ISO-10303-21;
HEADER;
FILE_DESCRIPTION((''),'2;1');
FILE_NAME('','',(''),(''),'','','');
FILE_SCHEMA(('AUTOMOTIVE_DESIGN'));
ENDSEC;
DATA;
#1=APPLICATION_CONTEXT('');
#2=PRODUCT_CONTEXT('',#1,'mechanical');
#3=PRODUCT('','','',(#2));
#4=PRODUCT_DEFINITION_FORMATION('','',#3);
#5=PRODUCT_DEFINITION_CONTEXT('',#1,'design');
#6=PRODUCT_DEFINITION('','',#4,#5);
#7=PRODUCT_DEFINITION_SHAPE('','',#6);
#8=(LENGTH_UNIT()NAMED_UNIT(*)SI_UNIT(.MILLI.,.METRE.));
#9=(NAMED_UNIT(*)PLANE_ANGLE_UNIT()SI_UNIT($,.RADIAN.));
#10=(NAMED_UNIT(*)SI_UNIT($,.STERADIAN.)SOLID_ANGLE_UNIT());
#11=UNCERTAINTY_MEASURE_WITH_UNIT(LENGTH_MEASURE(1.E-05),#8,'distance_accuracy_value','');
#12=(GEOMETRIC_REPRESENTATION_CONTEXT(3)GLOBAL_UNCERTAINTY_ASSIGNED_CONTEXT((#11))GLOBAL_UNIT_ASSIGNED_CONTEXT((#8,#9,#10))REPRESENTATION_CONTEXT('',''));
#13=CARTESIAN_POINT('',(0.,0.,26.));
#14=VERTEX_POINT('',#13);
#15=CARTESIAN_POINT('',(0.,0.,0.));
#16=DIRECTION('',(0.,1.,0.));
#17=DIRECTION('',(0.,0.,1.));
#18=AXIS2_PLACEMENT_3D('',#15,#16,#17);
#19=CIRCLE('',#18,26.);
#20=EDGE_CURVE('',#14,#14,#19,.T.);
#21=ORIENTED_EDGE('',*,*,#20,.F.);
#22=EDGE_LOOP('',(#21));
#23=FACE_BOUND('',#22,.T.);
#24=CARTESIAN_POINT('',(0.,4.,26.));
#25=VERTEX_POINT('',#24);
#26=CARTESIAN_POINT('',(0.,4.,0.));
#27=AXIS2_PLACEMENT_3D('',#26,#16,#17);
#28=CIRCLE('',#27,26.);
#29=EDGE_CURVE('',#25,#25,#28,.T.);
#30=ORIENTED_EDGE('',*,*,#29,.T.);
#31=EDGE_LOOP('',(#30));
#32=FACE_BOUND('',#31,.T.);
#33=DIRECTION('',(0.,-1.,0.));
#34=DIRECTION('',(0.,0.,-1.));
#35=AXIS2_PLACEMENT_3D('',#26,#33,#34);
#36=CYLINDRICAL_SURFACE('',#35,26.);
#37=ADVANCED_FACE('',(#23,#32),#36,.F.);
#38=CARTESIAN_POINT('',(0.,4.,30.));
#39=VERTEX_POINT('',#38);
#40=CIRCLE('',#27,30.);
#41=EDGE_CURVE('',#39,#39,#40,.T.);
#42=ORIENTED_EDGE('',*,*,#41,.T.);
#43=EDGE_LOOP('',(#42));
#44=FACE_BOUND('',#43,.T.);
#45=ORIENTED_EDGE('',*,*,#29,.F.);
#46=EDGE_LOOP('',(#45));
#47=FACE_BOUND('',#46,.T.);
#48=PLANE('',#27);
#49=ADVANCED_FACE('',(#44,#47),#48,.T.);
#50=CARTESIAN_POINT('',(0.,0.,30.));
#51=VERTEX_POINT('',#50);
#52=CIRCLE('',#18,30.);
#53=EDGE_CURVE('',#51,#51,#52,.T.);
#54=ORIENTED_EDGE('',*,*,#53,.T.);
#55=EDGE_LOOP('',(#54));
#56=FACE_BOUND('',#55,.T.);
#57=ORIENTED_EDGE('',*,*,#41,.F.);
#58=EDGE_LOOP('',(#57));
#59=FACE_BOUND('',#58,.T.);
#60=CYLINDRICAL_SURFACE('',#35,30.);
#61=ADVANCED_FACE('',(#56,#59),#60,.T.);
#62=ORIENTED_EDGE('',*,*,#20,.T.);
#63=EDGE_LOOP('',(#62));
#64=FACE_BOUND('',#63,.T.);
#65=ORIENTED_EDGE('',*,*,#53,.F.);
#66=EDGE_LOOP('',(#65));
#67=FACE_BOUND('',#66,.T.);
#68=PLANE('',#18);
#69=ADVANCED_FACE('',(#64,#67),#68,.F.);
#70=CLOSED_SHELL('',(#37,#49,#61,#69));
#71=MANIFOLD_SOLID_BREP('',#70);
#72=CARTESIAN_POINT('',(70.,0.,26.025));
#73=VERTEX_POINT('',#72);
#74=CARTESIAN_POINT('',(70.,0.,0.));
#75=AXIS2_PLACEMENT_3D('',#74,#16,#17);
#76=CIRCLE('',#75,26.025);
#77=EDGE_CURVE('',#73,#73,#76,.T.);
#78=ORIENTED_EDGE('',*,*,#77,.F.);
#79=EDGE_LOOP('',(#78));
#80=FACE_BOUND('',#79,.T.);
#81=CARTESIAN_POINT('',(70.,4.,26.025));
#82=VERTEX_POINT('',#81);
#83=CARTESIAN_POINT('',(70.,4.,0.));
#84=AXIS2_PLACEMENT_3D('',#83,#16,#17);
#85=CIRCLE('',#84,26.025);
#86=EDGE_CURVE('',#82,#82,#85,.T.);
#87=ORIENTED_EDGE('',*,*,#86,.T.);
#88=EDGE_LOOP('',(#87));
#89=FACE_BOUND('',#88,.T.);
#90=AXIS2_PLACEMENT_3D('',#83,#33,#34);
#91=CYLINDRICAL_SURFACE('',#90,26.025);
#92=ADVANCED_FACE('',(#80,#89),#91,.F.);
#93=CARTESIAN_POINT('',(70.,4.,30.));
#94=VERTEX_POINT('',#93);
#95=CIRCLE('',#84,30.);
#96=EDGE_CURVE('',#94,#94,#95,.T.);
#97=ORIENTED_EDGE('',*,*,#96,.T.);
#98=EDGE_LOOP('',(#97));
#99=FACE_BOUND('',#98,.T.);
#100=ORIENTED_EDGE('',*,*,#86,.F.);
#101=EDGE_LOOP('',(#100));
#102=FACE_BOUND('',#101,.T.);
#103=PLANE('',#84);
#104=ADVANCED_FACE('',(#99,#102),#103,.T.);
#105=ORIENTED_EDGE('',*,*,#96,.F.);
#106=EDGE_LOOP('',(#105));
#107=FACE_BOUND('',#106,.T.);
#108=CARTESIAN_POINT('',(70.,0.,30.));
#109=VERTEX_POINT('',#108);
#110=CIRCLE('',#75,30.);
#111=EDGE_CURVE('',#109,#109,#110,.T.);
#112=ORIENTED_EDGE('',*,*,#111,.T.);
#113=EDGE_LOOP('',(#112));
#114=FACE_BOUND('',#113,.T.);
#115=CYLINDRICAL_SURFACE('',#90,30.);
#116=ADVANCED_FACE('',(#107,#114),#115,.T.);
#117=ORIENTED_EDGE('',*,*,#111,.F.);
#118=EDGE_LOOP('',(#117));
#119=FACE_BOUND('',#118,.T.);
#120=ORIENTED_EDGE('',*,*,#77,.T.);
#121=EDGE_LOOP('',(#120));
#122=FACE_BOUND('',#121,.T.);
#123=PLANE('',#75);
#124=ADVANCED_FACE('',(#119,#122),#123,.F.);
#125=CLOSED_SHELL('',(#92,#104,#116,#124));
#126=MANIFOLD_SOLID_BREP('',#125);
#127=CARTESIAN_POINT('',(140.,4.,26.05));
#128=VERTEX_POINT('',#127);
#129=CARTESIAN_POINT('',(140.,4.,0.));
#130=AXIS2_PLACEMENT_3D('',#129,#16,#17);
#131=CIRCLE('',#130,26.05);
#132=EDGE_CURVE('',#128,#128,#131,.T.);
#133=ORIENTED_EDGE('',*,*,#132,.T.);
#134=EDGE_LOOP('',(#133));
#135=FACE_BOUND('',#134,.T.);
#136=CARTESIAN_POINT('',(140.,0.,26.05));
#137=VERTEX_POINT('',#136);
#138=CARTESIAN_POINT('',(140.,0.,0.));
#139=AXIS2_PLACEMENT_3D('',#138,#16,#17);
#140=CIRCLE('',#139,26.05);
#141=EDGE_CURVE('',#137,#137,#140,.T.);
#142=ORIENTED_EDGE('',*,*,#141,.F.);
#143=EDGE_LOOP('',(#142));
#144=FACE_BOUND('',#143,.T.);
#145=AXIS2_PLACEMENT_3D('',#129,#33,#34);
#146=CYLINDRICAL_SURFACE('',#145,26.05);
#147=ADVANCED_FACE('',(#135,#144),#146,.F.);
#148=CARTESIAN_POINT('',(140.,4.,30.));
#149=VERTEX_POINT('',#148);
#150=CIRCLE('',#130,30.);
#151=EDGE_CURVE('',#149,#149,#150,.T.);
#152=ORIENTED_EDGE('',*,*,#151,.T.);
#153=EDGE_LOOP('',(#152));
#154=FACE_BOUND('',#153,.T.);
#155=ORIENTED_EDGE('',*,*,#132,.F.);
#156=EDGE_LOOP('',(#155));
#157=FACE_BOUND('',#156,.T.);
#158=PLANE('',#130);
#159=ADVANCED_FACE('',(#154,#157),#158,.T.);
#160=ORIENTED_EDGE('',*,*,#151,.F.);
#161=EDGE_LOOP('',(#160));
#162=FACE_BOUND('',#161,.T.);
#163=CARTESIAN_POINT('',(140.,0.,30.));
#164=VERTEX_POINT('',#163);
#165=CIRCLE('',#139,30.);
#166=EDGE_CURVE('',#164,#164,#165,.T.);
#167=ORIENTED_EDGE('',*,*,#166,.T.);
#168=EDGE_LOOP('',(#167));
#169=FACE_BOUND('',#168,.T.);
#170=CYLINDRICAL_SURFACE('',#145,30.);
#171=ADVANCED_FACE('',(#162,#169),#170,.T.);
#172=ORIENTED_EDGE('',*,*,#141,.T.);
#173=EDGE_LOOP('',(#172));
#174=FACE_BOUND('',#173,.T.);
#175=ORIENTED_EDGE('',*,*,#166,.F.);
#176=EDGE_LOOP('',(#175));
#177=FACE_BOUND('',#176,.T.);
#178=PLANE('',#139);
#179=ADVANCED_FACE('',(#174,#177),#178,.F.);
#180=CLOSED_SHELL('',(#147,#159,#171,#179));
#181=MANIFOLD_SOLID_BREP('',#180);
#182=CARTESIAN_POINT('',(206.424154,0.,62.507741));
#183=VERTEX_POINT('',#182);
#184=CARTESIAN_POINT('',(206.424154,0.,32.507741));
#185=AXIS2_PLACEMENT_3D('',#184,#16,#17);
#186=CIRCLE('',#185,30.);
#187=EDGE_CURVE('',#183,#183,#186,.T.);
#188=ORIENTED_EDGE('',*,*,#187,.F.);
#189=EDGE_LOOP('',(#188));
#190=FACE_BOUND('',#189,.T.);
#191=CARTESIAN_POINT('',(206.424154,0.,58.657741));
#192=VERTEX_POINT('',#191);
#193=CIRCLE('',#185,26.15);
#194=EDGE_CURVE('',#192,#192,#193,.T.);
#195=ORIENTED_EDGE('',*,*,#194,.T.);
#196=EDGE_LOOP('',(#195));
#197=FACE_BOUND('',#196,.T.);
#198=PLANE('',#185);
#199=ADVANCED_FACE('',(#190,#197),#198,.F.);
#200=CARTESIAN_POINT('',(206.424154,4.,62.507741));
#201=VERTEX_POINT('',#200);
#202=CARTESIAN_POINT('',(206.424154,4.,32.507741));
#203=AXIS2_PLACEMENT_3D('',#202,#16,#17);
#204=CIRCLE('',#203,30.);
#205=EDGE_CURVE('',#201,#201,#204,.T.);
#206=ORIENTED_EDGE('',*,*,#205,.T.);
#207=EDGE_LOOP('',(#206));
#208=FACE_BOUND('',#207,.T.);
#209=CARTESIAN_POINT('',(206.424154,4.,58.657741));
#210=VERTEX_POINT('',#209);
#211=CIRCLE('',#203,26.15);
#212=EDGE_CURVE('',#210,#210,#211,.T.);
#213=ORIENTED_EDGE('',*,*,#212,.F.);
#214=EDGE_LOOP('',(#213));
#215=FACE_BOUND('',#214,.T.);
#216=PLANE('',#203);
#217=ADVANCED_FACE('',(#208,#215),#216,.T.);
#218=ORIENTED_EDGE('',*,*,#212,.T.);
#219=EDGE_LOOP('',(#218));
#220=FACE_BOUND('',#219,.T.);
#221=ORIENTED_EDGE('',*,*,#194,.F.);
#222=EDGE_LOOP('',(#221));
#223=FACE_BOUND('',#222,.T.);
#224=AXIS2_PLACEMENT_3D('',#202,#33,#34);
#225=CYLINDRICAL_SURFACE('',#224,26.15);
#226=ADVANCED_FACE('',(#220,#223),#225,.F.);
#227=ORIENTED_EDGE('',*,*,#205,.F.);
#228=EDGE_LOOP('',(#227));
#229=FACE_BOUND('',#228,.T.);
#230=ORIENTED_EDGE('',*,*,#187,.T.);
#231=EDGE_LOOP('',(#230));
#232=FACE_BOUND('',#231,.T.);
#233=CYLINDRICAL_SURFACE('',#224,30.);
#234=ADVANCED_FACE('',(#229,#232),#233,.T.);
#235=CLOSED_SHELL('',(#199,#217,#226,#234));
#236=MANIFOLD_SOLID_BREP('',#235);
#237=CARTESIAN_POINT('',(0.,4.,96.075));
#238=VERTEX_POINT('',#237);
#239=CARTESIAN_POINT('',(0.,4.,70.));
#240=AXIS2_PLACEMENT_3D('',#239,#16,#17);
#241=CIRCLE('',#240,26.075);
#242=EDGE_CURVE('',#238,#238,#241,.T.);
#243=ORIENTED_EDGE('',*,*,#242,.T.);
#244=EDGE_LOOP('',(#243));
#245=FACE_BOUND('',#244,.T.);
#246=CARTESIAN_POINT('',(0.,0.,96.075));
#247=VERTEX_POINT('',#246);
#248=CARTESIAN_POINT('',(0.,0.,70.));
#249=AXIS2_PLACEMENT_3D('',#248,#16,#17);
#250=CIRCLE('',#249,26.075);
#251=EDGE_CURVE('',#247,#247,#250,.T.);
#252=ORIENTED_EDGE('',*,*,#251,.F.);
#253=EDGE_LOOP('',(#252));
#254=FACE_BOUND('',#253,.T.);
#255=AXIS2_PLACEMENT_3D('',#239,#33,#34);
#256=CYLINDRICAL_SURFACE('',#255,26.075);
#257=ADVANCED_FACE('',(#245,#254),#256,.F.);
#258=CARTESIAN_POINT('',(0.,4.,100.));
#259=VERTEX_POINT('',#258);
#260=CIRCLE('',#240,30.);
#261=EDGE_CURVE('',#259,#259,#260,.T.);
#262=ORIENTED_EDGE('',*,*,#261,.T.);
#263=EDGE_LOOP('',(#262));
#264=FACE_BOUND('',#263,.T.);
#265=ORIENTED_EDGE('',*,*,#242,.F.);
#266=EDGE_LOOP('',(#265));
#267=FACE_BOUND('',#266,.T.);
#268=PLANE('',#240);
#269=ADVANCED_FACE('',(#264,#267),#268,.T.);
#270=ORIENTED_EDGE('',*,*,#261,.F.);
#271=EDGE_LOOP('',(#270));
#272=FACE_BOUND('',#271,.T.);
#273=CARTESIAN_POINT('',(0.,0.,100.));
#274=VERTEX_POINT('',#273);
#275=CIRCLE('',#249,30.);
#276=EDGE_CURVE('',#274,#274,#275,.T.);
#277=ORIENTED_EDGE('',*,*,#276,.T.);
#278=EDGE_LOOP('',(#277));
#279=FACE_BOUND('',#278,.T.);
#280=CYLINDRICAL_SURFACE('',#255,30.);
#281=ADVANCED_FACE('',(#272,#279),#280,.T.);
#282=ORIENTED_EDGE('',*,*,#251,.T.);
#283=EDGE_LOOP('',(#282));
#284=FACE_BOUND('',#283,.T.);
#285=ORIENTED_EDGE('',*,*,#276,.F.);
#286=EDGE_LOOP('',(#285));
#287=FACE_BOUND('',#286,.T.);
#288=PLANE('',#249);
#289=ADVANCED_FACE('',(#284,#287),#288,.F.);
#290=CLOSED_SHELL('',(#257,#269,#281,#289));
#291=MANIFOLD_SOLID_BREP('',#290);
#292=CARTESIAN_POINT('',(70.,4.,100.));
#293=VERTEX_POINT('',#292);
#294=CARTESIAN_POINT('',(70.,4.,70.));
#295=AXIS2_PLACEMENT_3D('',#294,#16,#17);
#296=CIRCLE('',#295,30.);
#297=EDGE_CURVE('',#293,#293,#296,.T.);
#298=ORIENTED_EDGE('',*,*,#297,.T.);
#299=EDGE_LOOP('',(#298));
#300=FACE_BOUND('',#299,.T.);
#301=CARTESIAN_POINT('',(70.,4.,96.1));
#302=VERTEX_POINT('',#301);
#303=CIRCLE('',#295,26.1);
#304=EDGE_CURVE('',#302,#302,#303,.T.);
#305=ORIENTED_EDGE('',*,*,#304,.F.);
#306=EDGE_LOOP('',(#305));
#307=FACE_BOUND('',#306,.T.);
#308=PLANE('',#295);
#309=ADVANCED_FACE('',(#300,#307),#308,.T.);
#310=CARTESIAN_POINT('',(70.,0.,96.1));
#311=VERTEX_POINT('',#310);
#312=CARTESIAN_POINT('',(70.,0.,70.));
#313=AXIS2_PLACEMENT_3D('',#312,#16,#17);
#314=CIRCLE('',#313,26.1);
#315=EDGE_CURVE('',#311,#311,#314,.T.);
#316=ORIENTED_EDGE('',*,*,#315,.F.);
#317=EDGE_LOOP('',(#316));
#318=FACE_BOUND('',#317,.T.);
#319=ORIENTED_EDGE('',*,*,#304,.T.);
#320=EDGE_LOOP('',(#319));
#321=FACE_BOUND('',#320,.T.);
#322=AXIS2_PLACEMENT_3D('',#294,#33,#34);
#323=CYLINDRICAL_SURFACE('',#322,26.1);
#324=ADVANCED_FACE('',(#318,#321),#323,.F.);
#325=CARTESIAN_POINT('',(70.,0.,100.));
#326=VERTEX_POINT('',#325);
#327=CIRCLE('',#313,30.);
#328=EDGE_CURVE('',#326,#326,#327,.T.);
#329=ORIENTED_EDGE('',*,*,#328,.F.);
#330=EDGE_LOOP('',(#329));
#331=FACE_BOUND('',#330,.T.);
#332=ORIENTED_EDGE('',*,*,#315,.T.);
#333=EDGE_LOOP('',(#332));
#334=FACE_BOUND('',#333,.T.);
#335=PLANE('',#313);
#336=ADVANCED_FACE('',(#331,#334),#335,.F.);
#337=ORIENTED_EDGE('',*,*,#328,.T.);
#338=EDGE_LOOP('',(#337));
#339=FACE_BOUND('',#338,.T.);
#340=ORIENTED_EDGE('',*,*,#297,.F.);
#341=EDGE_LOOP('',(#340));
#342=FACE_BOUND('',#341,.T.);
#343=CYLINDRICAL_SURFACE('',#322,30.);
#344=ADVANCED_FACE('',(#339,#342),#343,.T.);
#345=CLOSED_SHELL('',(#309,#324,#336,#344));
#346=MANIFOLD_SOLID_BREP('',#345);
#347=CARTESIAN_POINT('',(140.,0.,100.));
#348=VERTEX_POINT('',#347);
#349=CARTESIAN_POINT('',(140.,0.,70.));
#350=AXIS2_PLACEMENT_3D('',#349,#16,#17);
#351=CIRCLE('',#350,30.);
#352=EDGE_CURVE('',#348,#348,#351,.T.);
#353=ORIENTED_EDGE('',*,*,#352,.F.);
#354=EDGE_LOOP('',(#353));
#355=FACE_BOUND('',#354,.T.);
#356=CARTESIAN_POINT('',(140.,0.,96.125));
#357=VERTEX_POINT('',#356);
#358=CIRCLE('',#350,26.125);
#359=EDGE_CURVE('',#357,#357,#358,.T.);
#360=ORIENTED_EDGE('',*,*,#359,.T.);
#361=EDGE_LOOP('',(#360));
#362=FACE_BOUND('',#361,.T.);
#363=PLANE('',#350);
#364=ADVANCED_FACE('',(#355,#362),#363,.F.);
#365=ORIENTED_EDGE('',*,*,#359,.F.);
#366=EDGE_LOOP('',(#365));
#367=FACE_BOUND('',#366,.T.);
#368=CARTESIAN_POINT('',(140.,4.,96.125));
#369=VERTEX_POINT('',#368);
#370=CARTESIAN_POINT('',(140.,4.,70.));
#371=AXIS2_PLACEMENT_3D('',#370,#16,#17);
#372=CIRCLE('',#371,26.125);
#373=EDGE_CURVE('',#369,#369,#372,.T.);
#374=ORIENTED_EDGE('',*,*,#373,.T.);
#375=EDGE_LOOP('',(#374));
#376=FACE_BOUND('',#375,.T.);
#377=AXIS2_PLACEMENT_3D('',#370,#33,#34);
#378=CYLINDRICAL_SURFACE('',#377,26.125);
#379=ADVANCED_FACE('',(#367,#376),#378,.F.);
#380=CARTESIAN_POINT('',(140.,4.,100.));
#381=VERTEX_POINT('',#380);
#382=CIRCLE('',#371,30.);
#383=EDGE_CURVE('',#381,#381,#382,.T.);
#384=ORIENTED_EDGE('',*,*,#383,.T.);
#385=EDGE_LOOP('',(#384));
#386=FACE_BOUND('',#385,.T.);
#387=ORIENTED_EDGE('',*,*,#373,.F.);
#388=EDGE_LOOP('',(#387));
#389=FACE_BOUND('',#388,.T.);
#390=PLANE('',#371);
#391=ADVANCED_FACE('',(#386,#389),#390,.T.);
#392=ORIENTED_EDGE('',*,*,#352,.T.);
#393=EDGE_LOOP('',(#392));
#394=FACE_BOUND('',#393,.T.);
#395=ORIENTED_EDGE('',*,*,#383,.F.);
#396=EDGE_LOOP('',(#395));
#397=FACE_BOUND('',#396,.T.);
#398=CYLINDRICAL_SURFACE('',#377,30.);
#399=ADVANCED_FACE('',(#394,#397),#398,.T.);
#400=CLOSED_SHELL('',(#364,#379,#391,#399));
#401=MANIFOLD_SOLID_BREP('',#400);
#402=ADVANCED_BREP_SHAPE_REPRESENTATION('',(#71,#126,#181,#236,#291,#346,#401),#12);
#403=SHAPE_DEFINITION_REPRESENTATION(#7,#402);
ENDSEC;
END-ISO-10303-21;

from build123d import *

# Parameters (mm, degrees)
SKETCH1_R             = 30
SKETCH1_R_2           = 26
BOSS_EXTRUDE1_DEPTH   = 4
SKETCH1_R_3           = 26.025
BOSS_EXTRUDE1_2_DEPTH = 4
SKETCH1_R_4           = 26.05
BOSS_EXTRUDE1_3_DEPTH = 4
SKETCH1_R_5           = 26.1
BOSS_EXTRUDE1_4_DEPTH = 4
SKETCH1_R_6           = 26.125
BOSS_EXTRUDE1_5_DEPTH = 4
SKETCH1_R_7           = 26.075
BOSS_EXTRUDE1_6_DEPTH = 4
SKETCH1_R_8           = 26.15
BOSS_EXTRUDE1_7_DEPTH = 4


with BuildPart() as part:
    # Sketch1 → Boss-Extrude1 (new body)
    with BuildSketch(Plane(origin=(0, 0, 0), x_dir=(1, 0, 0), z_dir=(0, 1, 0))):
        with Locations(Location((0, 0, 0), (0, 0, 270))):
            Circle(SKETCH1_R)
        with Locations(Location((0, 0, 0), (0, 0, 270))):
            Circle(SKETCH1_R_2, mode=Mode.SUBTRACT)
    extrude(amount=BOSS_EXTRUDE1_DEPTH)


with BuildPart() as body_2:
    # Sketch1 → Boss-Extrude1 2 (new body)
    with BuildSketch(Plane(origin=(0, 0, 0), x_dir=(1, 0, 0), z_dir=(0, 1, 0))):
        with Locations(Location((70, 0, 0), (0, 0, 270))):
            Circle(SKETCH1_R)
        with Locations(Location((70, 0, 0), (0, 0, 270))):
            Circle(SKETCH1_R_3, mode=Mode.SUBTRACT)
    extrude(amount=BOSS_EXTRUDE1_2_DEPTH)


with BuildPart() as body_3:
    # Sketch1 → Boss-Extrude1 3 (new body)
    with BuildSketch(Plane(origin=(0, 0, 0), x_dir=(1, 0, 0), z_dir=(0, 1, 0))):
        with Locations(Location((140, 0, 0), (0, 0, 270))):
            Circle(SKETCH1_R)
        with Locations(Location((140, 0, 0), (0, 0, 270))):
            Circle(SKETCH1_R_4, mode=Mode.SUBTRACT)
    extrude(amount=BOSS_EXTRUDE1_3_DEPTH)


with BuildPart() as body_4:
    # Sketch1 → Boss-Extrude1 4 (new body)
    with BuildSketch(Plane(origin=(0, 0, 0), x_dir=(1, 0, 0), z_dir=(0, 1, 0))):
        with Locations(Location((70, -70, 0), (0, 0, 270))):
            Circle(SKETCH1_R)
        with Locations(Location((70, -70, 0), (0, 0, 270))):
            Circle(SKETCH1_R_5, mode=Mode.SUBTRACT)
    extrude(amount=BOSS_EXTRUDE1_4_DEPTH)


with BuildPart() as body_5:
    # Sketch1 → Boss-Extrude1 5 (new body)
    with BuildSketch(Plane(origin=(0, 0, 0), x_dir=(1, 0, 0), z_dir=(0, 1, 0))):
        with Locations(Location((140, -70, 0), (0, 0, 270))):
            Circle(SKETCH1_R)
        with Locations(Location((140, -70, 0), (0, 0, 270))):
            Circle(SKETCH1_R_6, mode=Mode.SUBTRACT)
    extrude(amount=BOSS_EXTRUDE1_5_DEPTH)


with BuildPart() as body_6:
    # Sketch1 → Boss-Extrude1 6 (new body)
    with BuildSketch(Plane(origin=(0, 0, 0), x_dir=(1, 0, 0), z_dir=(0, 1, 0))):
        with Locations(Location((0, -70, 0), (0, 0, 270))):
            Circle(SKETCH1_R)
        with Locations(Location((0, -70, 0), (0, 0, 270))):
            Circle(SKETCH1_R_7, mode=Mode.SUBTRACT)
    extrude(amount=BOSS_EXTRUDE1_6_DEPTH)


with BuildPart() as body_7:
    # Sketch1 → Boss-Extrude1 7 (new body)
    with BuildSketch(Plane(origin=(0, 0, 0), x_dir=(1, 0, 0), z_dir=(0, 1, 0))):
        with Locations(Location((206.424153942, -32.507740778, 0), (0, 0, 270))):
            Circle(SKETCH1_R)
        with Locations(Location((206.424153942, -32.507740778, 0), (0, 0, 270))):
            Circle(SKETCH1_R_8, mode=Mode.SUBTRACT)
    extrude(amount=BOSS_EXTRUDE1_7_DEPTH)


solid = Compound([part.part, body_2.part, body_3.part, body_4.part, body_5.part, body_6.part, body_7.part])
